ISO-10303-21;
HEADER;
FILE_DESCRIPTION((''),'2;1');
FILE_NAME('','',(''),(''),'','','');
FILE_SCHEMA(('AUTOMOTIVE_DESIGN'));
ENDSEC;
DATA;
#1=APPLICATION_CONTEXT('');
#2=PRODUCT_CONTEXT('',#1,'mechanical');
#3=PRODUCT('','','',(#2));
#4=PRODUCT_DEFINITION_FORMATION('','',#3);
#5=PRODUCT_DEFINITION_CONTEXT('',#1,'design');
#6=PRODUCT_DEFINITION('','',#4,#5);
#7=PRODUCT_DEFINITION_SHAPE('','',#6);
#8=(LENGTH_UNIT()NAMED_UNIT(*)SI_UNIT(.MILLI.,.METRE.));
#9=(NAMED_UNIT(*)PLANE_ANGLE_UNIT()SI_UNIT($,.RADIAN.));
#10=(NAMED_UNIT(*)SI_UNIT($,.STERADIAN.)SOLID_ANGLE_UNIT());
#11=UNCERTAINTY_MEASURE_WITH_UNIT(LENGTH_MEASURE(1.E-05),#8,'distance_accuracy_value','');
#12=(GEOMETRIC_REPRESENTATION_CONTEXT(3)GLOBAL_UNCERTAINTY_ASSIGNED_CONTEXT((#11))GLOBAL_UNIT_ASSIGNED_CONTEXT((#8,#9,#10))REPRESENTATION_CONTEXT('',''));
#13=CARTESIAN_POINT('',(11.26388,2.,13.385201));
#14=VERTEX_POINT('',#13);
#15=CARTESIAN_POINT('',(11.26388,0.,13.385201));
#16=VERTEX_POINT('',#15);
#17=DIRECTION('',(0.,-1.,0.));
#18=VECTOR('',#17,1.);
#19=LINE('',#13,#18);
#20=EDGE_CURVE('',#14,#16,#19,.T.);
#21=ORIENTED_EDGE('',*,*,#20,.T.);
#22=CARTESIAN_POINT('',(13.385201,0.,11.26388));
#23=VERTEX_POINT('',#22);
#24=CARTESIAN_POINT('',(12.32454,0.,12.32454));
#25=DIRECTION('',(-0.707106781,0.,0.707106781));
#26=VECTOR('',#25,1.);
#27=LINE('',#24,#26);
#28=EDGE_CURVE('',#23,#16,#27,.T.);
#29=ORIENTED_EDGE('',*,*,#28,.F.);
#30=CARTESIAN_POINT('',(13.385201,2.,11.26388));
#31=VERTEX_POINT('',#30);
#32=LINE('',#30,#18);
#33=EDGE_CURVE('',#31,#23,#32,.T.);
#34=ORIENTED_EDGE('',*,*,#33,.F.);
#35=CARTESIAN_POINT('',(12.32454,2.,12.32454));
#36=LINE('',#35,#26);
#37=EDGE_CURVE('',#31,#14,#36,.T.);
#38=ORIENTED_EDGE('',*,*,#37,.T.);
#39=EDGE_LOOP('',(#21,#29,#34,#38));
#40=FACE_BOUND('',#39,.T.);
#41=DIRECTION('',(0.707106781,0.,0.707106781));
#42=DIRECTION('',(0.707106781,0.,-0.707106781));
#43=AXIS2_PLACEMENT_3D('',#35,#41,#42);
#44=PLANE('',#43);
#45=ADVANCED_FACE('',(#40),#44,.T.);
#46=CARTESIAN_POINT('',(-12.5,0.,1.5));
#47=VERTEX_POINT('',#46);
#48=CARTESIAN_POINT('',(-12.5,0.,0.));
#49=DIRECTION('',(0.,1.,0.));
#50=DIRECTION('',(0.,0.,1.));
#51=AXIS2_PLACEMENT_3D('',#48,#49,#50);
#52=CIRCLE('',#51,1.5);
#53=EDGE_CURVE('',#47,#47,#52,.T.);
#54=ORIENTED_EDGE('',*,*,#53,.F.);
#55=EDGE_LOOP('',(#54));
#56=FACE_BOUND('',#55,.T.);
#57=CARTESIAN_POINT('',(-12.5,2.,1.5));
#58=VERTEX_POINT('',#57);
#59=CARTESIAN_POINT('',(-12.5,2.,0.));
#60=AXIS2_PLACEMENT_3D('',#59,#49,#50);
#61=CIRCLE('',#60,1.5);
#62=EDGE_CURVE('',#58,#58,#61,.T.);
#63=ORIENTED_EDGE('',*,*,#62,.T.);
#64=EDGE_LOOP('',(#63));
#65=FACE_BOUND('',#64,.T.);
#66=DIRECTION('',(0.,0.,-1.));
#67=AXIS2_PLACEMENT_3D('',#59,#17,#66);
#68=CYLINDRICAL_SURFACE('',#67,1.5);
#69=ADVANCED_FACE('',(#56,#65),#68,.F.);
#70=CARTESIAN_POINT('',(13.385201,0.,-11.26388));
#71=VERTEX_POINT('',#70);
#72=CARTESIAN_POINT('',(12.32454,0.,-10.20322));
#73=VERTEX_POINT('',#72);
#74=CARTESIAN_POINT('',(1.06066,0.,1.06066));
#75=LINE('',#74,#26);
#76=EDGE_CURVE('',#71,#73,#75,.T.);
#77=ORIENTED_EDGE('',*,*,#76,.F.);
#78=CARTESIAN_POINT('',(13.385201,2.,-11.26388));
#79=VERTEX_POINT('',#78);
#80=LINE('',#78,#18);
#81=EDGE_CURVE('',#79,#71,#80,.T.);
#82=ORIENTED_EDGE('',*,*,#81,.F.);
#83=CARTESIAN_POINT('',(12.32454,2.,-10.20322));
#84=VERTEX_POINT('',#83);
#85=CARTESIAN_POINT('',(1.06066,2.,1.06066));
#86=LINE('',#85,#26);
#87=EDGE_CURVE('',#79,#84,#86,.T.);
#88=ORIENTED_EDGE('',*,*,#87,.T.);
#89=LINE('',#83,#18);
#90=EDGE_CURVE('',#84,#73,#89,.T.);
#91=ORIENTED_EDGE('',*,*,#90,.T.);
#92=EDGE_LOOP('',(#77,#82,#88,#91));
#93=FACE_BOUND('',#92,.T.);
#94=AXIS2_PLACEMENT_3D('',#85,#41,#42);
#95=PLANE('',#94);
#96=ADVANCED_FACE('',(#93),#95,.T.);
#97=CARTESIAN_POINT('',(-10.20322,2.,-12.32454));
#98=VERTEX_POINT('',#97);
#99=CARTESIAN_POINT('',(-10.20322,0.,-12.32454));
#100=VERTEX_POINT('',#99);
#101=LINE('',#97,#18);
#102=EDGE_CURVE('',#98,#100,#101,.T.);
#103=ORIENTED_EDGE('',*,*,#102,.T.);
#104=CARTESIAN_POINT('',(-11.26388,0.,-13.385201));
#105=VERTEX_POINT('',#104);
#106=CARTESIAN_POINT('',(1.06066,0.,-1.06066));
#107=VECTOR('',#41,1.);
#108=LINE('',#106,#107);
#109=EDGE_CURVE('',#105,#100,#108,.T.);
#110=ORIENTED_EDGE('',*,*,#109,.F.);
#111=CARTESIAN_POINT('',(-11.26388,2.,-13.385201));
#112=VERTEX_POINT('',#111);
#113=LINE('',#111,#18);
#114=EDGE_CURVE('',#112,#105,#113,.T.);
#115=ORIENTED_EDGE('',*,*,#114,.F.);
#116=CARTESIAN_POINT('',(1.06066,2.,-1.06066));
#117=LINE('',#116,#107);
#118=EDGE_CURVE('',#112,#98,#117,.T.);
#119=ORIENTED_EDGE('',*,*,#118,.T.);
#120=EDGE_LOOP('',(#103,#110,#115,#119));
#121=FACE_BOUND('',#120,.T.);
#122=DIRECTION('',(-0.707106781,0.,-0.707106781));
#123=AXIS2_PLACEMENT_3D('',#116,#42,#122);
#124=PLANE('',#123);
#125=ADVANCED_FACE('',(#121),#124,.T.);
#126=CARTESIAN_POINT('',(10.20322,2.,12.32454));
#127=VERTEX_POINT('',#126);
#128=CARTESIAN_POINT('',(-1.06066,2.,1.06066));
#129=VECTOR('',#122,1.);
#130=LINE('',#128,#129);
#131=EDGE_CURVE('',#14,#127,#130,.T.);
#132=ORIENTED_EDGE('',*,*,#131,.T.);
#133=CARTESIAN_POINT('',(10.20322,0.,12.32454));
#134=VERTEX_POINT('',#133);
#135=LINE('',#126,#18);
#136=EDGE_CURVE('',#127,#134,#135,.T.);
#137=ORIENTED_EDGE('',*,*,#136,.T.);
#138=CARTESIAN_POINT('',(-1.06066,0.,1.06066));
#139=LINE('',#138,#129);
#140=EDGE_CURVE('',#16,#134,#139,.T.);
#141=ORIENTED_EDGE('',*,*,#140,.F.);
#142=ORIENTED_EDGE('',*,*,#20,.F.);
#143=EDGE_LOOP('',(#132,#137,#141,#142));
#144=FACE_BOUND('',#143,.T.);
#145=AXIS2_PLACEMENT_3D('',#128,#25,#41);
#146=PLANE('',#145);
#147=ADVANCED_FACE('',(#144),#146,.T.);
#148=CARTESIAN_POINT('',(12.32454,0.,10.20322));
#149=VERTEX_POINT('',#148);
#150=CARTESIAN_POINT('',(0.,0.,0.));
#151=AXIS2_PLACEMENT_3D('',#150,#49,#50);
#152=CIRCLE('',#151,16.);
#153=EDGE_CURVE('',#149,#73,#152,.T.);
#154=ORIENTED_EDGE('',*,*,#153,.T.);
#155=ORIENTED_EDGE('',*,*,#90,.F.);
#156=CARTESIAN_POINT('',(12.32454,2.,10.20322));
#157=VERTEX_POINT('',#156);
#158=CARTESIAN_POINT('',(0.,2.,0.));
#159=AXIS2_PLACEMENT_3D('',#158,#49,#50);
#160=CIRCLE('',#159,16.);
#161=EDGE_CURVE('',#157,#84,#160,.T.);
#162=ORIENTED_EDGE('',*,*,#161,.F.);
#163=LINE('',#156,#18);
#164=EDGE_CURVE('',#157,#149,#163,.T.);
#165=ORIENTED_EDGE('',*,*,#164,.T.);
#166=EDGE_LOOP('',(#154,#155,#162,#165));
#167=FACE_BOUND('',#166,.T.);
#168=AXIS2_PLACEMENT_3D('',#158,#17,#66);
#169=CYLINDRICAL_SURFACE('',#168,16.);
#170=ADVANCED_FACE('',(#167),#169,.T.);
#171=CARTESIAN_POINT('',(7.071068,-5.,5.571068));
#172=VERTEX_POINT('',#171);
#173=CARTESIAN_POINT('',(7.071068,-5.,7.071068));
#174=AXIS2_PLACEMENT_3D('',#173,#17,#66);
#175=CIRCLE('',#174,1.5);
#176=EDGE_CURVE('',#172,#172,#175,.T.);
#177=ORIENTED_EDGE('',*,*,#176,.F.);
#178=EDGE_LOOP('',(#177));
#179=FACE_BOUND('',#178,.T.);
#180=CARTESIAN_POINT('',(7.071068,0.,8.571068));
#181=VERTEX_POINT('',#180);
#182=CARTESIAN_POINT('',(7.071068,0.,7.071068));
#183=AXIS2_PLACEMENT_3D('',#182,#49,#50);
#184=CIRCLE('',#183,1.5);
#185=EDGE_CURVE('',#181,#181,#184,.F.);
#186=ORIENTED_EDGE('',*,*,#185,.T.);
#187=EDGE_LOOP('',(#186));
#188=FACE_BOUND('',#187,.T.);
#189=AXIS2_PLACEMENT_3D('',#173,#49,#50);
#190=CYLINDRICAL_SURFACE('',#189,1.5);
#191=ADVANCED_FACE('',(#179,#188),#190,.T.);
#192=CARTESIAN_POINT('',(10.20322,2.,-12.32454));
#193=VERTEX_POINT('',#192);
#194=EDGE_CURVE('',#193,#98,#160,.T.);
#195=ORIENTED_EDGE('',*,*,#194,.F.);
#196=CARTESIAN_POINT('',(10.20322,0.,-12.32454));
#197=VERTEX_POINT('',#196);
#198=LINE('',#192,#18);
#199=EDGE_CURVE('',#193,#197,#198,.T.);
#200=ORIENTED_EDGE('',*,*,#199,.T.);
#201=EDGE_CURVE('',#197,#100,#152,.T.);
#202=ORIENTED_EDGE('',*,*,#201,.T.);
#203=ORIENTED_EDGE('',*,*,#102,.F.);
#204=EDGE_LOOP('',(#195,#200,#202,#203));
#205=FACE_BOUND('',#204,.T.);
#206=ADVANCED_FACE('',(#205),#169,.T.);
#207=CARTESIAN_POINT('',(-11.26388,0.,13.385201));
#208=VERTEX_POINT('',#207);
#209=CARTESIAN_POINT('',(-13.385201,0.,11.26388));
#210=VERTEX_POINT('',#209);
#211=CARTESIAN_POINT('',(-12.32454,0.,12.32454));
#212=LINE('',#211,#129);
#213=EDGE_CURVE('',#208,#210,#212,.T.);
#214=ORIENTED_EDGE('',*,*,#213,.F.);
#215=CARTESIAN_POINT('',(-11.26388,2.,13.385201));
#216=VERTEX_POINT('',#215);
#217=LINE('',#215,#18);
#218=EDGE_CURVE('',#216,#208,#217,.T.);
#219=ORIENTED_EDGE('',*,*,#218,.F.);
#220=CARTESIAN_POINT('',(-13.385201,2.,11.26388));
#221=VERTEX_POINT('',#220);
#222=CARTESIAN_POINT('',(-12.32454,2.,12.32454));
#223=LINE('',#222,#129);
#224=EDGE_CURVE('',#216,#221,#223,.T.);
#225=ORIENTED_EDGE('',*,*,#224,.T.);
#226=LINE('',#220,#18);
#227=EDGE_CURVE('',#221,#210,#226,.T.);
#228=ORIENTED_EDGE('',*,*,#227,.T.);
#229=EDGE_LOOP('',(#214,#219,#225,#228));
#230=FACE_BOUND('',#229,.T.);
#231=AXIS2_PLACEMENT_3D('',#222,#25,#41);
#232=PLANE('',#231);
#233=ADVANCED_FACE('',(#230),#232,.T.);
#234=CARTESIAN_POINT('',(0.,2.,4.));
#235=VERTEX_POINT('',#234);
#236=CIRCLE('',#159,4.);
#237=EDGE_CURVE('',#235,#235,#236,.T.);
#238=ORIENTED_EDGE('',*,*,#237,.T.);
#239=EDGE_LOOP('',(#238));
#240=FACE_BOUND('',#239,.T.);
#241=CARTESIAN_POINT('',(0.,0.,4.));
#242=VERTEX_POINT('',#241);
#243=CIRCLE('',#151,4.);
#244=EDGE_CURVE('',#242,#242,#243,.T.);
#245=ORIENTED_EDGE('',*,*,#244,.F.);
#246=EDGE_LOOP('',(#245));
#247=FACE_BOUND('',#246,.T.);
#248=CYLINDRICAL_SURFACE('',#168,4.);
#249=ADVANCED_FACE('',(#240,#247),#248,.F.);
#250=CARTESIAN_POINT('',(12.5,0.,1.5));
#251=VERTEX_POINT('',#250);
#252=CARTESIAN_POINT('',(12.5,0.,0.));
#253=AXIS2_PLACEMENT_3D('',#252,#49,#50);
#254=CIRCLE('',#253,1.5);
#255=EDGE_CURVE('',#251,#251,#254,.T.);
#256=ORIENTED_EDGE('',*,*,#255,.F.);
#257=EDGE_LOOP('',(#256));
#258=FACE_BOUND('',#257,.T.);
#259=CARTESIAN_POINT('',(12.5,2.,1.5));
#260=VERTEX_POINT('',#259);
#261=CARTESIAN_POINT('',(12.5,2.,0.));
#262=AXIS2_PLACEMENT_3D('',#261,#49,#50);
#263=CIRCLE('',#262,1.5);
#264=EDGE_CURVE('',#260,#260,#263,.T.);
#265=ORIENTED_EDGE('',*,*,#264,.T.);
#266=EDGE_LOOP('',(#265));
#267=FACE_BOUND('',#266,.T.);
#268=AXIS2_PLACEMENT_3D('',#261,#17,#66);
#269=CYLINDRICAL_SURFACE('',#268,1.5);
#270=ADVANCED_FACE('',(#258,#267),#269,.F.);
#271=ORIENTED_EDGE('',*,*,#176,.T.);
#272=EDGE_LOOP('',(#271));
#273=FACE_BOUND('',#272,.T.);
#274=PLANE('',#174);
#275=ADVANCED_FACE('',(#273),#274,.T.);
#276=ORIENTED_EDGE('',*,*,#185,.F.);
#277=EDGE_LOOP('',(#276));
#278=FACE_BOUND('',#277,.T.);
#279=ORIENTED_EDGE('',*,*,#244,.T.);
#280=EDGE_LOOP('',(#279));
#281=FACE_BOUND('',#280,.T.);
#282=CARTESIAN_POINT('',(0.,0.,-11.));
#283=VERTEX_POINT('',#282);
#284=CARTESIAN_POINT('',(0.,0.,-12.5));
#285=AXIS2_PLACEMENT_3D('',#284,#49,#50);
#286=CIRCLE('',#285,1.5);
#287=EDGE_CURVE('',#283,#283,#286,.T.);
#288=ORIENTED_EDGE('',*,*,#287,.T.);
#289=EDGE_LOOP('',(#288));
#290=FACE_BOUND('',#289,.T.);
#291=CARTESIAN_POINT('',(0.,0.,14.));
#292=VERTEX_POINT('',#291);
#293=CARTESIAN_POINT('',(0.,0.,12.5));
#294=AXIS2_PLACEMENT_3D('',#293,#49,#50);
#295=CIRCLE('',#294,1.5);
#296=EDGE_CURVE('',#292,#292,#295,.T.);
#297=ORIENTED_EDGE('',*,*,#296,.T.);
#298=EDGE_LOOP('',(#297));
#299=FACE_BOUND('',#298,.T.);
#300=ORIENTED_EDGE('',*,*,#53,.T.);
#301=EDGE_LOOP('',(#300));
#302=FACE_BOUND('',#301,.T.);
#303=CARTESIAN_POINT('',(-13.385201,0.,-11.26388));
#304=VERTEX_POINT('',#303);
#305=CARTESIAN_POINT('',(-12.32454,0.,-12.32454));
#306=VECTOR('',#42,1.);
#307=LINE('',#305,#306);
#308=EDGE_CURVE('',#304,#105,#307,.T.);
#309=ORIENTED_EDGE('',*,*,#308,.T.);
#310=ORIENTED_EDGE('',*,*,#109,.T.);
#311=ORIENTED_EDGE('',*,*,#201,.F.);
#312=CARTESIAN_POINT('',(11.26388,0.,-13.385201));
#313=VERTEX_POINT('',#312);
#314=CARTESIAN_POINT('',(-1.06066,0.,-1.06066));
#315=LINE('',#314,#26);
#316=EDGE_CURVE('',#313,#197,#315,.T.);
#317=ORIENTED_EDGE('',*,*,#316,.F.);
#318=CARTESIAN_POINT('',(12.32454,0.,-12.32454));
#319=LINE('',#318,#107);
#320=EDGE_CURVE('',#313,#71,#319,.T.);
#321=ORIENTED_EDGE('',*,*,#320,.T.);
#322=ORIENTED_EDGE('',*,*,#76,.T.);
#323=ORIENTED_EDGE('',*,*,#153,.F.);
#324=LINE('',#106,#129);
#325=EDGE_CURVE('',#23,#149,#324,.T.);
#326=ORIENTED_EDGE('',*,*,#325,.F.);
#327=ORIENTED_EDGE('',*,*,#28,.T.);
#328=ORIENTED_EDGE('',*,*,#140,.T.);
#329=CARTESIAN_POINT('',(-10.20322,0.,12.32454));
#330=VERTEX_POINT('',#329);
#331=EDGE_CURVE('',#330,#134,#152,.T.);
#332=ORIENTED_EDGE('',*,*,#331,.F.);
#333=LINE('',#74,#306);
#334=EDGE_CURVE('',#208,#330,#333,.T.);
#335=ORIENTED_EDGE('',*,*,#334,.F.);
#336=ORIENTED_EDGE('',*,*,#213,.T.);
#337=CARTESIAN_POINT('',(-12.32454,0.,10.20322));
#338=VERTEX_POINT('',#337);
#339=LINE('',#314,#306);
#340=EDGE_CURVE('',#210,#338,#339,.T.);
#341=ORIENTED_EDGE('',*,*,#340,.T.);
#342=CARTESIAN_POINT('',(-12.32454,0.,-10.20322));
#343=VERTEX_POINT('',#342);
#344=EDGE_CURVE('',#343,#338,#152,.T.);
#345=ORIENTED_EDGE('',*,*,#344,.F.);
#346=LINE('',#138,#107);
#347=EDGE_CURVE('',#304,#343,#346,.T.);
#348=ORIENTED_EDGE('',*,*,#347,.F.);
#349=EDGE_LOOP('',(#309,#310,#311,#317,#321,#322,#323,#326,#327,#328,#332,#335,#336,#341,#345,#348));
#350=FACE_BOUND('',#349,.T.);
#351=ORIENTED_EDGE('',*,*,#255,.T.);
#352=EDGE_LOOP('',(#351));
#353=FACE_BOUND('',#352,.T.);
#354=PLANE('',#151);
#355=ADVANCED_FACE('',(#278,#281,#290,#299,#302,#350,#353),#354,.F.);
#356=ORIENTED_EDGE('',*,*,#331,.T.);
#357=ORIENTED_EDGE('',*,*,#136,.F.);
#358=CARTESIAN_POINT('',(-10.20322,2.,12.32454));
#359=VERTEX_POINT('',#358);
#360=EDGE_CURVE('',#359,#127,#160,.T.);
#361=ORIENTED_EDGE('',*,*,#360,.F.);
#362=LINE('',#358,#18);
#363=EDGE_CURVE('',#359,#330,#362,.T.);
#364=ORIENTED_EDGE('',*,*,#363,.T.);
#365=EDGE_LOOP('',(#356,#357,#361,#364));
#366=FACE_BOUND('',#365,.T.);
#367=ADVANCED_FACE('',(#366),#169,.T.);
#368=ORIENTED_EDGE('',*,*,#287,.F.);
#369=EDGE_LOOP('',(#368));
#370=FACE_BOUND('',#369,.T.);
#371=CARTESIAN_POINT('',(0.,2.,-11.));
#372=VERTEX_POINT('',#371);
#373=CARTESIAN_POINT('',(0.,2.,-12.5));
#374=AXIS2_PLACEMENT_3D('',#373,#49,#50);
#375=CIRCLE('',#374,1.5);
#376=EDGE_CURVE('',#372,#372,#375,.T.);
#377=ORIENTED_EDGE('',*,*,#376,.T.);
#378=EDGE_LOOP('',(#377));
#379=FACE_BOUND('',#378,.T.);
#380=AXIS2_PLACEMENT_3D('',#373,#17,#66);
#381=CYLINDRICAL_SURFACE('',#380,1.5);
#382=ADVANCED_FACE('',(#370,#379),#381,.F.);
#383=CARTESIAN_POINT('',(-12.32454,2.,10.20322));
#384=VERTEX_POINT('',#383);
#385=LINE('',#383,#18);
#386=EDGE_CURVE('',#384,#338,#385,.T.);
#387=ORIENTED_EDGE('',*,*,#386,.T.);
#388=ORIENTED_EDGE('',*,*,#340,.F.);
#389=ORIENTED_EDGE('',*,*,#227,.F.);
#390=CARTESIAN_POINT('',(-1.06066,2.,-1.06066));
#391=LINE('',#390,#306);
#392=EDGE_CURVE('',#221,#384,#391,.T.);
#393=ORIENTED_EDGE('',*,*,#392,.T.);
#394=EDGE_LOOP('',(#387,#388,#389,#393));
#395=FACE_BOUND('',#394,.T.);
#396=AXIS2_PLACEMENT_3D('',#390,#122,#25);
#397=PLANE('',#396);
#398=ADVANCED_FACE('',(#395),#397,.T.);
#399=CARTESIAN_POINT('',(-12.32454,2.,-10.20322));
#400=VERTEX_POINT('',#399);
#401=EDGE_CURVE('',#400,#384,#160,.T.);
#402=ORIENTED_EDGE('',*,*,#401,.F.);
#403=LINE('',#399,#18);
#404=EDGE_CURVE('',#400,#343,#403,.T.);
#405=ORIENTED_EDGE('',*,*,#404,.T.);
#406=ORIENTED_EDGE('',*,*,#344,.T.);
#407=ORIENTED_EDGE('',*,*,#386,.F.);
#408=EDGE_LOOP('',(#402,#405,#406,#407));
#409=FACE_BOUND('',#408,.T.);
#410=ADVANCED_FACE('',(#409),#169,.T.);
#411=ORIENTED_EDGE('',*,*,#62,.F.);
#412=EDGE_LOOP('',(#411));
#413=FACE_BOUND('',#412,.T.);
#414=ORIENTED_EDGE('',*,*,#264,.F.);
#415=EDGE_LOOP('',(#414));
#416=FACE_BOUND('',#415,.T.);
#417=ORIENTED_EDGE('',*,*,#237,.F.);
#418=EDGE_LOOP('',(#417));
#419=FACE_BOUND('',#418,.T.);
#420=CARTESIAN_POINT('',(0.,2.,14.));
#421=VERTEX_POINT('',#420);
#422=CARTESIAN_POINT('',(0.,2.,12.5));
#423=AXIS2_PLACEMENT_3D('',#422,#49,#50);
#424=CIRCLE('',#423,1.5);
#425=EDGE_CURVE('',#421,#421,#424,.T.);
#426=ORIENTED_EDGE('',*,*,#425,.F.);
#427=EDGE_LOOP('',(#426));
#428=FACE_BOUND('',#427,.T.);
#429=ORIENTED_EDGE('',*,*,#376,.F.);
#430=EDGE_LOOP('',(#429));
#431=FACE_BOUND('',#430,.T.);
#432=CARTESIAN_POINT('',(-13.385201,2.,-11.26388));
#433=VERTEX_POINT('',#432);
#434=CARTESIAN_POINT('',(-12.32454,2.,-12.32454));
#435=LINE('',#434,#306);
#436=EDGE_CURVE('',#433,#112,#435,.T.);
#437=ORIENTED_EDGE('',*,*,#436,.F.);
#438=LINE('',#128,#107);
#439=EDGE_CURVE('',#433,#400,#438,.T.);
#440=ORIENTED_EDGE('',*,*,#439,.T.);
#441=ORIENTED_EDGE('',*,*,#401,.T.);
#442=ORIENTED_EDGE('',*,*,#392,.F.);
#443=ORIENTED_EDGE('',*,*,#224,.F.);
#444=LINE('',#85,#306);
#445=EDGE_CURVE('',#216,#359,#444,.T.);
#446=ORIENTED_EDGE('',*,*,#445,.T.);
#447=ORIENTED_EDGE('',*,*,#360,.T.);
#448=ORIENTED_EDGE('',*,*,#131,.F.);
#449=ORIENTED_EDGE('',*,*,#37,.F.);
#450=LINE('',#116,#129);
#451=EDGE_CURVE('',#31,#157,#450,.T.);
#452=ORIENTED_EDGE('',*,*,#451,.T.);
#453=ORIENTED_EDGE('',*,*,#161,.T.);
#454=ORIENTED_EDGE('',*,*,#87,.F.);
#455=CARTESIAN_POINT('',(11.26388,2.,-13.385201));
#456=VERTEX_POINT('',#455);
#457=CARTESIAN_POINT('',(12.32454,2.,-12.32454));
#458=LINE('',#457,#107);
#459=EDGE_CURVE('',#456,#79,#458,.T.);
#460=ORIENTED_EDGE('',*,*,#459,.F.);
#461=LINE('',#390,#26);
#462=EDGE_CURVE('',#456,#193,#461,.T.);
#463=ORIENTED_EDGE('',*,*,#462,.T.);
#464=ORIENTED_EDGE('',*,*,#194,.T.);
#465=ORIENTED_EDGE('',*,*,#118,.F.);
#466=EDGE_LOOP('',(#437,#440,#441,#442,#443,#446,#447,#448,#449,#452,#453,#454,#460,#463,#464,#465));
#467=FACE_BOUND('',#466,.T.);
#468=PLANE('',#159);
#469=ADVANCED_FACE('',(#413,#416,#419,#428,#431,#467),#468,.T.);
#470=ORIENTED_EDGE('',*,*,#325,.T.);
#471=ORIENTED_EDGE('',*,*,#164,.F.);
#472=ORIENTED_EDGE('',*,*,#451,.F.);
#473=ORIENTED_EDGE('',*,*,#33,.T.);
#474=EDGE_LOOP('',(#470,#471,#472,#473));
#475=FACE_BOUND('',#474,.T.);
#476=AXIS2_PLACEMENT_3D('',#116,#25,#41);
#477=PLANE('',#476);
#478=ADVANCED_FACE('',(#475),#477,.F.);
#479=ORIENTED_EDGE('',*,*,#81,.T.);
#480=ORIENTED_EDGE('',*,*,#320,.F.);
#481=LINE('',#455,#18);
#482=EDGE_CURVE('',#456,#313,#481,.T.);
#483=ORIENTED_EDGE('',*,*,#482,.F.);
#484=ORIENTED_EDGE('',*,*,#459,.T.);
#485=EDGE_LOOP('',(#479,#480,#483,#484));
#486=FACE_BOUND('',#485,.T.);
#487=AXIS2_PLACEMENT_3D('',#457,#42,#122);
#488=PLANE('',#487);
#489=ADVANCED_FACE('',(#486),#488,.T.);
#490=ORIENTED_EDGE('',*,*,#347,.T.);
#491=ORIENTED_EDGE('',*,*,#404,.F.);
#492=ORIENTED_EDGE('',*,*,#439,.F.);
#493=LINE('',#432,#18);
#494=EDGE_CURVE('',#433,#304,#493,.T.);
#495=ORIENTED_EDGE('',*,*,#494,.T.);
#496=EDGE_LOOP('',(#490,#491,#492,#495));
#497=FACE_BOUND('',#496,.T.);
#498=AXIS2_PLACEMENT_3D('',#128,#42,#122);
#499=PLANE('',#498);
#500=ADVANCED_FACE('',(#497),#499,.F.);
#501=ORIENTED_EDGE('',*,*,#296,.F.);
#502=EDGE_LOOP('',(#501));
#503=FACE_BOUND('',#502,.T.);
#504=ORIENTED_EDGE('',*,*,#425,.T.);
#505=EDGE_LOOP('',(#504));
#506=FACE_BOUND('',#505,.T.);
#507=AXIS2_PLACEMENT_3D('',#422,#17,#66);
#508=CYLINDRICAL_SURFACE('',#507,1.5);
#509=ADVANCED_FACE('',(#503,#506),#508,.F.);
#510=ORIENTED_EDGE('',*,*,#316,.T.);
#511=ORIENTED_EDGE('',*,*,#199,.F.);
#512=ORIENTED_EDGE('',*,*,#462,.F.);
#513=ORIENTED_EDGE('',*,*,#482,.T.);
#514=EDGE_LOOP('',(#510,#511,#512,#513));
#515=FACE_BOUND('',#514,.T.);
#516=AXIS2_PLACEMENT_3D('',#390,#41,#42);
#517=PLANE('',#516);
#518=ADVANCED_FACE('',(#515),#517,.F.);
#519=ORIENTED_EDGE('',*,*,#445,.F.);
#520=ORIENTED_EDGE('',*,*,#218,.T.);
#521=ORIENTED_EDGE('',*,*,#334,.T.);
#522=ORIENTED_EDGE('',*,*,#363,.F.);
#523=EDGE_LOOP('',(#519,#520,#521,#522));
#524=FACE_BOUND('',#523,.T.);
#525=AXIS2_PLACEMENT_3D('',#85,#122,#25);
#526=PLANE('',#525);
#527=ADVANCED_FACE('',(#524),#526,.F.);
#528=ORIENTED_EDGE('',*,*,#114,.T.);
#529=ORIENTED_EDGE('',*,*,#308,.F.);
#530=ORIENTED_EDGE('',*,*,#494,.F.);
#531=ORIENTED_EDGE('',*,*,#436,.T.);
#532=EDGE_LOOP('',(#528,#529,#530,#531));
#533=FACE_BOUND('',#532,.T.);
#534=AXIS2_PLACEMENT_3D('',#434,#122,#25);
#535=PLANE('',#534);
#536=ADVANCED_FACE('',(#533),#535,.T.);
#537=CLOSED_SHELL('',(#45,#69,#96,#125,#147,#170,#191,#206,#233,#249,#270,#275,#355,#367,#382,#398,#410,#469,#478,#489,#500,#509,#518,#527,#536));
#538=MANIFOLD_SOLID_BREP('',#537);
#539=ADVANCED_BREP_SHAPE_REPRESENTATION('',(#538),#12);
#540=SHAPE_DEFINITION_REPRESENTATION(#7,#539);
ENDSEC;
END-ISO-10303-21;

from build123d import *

# Parameters (mm, degrees)
SKETCH1_R           = 16
SKETCH1_R_2         = 1.5
SKETCH1_R_3         = 4
BOSS_EXTRUDE1_DEPTH = 2
SKETCH2_R           = 1.5
BOSS_EXTRUDE2_DEPTH = 5


with BuildPart() as part:
    # Sketch1 → Boss-Extrude1 (new body)
    with BuildSketch(Plane(origin=(0, 0, 0), x_dir=(1, 0, 0), z_dir=(0, 1, 0))):
        Circle(SKETCH1_R)
        with Locations((-12.5, 0)):
            Circle(SKETCH1_R_2, mode=Mode.SUBTRACT)
        with Locations((0, -12.5)):
            Circle(SKETCH1_R_2, mode=Mode.SUBTRACT)
        with Locations((12.5, 0)):
            Circle(SKETCH1_R_2, mode=Mode.SUBTRACT)
        with Locations((0, 12.5)):
            Circle(SKETCH1_R_2, mode=Mode.SUBTRACT)
        Circle(SKETCH1_R_3, mode=Mode.SUBTRACT)
        with BuildLine():
            ThreePointArc((-10.203220154, -12.324540498), (-11.313708499, -11.313708499), (-12.324540498, -10.203220154))
            Line((-12.324540498, -10.203220154), (-13.38520067, -11.263880326))
            Line((-13.38520067, -11.263880326), (-11.263880326, -13.38520067))
            Line((-11.263880326, -13.38520067), (-10.203220154, -12.324540498))
        make_face()
        with BuildLine():
            Line((13.38520067, -11.263880326), (12.324540498, -10.203220154))
            ThreePointArc((12.324540498, -10.203220154), (11.313708499, -11.313708499), (10.203220154, -12.324540498))
            Line((10.203220154, -12.324540498), (11.263880326, -13.38520067))
            Line((11.263880326, -13.38520067), (13.38520067, -11.263880326))
        make_face()
        with BuildLine():
            Line((13.38520067, 11.263880326), (11.263880326, 13.38520067))
            Line((11.263880326, 13.38520067), (10.203220154, 12.324540498))
            ThreePointArc((10.203220154, 12.324540498), (11.313708499, 11.313708499), (12.324540498, 10.203220154))
            Line((12.324540498, 10.203220154), (13.38520067, 11.263880326))
        make_face()
        with BuildLine():
            ThreePointArc((-12.324540498, 10.203220154), (-11.313708499, 11.313708499), (-10.203220154, 12.324540498))
            Line((-10.203220154, 12.324540498), (-11.263880326, 13.38520067))
            Line((-11.263880326, 13.38520067), (-13.38520067, 11.263880326))
            Line((-13.38520067, 11.263880326), (-12.324540498, 10.203220154))
        make_face()
    extrude(amount=BOSS_EXTRUDE1_DEPTH)

    # Sketch2 → Boss-Extrude2 (add)
    with BuildSketch(Plane.XZ):
        with Locations((7.071067812, 7.071067812)):
            Circle(SKETCH2_R)
    extrude(amount=BOSS_EXTRUDE2_DEPTH)


solid = part.part
